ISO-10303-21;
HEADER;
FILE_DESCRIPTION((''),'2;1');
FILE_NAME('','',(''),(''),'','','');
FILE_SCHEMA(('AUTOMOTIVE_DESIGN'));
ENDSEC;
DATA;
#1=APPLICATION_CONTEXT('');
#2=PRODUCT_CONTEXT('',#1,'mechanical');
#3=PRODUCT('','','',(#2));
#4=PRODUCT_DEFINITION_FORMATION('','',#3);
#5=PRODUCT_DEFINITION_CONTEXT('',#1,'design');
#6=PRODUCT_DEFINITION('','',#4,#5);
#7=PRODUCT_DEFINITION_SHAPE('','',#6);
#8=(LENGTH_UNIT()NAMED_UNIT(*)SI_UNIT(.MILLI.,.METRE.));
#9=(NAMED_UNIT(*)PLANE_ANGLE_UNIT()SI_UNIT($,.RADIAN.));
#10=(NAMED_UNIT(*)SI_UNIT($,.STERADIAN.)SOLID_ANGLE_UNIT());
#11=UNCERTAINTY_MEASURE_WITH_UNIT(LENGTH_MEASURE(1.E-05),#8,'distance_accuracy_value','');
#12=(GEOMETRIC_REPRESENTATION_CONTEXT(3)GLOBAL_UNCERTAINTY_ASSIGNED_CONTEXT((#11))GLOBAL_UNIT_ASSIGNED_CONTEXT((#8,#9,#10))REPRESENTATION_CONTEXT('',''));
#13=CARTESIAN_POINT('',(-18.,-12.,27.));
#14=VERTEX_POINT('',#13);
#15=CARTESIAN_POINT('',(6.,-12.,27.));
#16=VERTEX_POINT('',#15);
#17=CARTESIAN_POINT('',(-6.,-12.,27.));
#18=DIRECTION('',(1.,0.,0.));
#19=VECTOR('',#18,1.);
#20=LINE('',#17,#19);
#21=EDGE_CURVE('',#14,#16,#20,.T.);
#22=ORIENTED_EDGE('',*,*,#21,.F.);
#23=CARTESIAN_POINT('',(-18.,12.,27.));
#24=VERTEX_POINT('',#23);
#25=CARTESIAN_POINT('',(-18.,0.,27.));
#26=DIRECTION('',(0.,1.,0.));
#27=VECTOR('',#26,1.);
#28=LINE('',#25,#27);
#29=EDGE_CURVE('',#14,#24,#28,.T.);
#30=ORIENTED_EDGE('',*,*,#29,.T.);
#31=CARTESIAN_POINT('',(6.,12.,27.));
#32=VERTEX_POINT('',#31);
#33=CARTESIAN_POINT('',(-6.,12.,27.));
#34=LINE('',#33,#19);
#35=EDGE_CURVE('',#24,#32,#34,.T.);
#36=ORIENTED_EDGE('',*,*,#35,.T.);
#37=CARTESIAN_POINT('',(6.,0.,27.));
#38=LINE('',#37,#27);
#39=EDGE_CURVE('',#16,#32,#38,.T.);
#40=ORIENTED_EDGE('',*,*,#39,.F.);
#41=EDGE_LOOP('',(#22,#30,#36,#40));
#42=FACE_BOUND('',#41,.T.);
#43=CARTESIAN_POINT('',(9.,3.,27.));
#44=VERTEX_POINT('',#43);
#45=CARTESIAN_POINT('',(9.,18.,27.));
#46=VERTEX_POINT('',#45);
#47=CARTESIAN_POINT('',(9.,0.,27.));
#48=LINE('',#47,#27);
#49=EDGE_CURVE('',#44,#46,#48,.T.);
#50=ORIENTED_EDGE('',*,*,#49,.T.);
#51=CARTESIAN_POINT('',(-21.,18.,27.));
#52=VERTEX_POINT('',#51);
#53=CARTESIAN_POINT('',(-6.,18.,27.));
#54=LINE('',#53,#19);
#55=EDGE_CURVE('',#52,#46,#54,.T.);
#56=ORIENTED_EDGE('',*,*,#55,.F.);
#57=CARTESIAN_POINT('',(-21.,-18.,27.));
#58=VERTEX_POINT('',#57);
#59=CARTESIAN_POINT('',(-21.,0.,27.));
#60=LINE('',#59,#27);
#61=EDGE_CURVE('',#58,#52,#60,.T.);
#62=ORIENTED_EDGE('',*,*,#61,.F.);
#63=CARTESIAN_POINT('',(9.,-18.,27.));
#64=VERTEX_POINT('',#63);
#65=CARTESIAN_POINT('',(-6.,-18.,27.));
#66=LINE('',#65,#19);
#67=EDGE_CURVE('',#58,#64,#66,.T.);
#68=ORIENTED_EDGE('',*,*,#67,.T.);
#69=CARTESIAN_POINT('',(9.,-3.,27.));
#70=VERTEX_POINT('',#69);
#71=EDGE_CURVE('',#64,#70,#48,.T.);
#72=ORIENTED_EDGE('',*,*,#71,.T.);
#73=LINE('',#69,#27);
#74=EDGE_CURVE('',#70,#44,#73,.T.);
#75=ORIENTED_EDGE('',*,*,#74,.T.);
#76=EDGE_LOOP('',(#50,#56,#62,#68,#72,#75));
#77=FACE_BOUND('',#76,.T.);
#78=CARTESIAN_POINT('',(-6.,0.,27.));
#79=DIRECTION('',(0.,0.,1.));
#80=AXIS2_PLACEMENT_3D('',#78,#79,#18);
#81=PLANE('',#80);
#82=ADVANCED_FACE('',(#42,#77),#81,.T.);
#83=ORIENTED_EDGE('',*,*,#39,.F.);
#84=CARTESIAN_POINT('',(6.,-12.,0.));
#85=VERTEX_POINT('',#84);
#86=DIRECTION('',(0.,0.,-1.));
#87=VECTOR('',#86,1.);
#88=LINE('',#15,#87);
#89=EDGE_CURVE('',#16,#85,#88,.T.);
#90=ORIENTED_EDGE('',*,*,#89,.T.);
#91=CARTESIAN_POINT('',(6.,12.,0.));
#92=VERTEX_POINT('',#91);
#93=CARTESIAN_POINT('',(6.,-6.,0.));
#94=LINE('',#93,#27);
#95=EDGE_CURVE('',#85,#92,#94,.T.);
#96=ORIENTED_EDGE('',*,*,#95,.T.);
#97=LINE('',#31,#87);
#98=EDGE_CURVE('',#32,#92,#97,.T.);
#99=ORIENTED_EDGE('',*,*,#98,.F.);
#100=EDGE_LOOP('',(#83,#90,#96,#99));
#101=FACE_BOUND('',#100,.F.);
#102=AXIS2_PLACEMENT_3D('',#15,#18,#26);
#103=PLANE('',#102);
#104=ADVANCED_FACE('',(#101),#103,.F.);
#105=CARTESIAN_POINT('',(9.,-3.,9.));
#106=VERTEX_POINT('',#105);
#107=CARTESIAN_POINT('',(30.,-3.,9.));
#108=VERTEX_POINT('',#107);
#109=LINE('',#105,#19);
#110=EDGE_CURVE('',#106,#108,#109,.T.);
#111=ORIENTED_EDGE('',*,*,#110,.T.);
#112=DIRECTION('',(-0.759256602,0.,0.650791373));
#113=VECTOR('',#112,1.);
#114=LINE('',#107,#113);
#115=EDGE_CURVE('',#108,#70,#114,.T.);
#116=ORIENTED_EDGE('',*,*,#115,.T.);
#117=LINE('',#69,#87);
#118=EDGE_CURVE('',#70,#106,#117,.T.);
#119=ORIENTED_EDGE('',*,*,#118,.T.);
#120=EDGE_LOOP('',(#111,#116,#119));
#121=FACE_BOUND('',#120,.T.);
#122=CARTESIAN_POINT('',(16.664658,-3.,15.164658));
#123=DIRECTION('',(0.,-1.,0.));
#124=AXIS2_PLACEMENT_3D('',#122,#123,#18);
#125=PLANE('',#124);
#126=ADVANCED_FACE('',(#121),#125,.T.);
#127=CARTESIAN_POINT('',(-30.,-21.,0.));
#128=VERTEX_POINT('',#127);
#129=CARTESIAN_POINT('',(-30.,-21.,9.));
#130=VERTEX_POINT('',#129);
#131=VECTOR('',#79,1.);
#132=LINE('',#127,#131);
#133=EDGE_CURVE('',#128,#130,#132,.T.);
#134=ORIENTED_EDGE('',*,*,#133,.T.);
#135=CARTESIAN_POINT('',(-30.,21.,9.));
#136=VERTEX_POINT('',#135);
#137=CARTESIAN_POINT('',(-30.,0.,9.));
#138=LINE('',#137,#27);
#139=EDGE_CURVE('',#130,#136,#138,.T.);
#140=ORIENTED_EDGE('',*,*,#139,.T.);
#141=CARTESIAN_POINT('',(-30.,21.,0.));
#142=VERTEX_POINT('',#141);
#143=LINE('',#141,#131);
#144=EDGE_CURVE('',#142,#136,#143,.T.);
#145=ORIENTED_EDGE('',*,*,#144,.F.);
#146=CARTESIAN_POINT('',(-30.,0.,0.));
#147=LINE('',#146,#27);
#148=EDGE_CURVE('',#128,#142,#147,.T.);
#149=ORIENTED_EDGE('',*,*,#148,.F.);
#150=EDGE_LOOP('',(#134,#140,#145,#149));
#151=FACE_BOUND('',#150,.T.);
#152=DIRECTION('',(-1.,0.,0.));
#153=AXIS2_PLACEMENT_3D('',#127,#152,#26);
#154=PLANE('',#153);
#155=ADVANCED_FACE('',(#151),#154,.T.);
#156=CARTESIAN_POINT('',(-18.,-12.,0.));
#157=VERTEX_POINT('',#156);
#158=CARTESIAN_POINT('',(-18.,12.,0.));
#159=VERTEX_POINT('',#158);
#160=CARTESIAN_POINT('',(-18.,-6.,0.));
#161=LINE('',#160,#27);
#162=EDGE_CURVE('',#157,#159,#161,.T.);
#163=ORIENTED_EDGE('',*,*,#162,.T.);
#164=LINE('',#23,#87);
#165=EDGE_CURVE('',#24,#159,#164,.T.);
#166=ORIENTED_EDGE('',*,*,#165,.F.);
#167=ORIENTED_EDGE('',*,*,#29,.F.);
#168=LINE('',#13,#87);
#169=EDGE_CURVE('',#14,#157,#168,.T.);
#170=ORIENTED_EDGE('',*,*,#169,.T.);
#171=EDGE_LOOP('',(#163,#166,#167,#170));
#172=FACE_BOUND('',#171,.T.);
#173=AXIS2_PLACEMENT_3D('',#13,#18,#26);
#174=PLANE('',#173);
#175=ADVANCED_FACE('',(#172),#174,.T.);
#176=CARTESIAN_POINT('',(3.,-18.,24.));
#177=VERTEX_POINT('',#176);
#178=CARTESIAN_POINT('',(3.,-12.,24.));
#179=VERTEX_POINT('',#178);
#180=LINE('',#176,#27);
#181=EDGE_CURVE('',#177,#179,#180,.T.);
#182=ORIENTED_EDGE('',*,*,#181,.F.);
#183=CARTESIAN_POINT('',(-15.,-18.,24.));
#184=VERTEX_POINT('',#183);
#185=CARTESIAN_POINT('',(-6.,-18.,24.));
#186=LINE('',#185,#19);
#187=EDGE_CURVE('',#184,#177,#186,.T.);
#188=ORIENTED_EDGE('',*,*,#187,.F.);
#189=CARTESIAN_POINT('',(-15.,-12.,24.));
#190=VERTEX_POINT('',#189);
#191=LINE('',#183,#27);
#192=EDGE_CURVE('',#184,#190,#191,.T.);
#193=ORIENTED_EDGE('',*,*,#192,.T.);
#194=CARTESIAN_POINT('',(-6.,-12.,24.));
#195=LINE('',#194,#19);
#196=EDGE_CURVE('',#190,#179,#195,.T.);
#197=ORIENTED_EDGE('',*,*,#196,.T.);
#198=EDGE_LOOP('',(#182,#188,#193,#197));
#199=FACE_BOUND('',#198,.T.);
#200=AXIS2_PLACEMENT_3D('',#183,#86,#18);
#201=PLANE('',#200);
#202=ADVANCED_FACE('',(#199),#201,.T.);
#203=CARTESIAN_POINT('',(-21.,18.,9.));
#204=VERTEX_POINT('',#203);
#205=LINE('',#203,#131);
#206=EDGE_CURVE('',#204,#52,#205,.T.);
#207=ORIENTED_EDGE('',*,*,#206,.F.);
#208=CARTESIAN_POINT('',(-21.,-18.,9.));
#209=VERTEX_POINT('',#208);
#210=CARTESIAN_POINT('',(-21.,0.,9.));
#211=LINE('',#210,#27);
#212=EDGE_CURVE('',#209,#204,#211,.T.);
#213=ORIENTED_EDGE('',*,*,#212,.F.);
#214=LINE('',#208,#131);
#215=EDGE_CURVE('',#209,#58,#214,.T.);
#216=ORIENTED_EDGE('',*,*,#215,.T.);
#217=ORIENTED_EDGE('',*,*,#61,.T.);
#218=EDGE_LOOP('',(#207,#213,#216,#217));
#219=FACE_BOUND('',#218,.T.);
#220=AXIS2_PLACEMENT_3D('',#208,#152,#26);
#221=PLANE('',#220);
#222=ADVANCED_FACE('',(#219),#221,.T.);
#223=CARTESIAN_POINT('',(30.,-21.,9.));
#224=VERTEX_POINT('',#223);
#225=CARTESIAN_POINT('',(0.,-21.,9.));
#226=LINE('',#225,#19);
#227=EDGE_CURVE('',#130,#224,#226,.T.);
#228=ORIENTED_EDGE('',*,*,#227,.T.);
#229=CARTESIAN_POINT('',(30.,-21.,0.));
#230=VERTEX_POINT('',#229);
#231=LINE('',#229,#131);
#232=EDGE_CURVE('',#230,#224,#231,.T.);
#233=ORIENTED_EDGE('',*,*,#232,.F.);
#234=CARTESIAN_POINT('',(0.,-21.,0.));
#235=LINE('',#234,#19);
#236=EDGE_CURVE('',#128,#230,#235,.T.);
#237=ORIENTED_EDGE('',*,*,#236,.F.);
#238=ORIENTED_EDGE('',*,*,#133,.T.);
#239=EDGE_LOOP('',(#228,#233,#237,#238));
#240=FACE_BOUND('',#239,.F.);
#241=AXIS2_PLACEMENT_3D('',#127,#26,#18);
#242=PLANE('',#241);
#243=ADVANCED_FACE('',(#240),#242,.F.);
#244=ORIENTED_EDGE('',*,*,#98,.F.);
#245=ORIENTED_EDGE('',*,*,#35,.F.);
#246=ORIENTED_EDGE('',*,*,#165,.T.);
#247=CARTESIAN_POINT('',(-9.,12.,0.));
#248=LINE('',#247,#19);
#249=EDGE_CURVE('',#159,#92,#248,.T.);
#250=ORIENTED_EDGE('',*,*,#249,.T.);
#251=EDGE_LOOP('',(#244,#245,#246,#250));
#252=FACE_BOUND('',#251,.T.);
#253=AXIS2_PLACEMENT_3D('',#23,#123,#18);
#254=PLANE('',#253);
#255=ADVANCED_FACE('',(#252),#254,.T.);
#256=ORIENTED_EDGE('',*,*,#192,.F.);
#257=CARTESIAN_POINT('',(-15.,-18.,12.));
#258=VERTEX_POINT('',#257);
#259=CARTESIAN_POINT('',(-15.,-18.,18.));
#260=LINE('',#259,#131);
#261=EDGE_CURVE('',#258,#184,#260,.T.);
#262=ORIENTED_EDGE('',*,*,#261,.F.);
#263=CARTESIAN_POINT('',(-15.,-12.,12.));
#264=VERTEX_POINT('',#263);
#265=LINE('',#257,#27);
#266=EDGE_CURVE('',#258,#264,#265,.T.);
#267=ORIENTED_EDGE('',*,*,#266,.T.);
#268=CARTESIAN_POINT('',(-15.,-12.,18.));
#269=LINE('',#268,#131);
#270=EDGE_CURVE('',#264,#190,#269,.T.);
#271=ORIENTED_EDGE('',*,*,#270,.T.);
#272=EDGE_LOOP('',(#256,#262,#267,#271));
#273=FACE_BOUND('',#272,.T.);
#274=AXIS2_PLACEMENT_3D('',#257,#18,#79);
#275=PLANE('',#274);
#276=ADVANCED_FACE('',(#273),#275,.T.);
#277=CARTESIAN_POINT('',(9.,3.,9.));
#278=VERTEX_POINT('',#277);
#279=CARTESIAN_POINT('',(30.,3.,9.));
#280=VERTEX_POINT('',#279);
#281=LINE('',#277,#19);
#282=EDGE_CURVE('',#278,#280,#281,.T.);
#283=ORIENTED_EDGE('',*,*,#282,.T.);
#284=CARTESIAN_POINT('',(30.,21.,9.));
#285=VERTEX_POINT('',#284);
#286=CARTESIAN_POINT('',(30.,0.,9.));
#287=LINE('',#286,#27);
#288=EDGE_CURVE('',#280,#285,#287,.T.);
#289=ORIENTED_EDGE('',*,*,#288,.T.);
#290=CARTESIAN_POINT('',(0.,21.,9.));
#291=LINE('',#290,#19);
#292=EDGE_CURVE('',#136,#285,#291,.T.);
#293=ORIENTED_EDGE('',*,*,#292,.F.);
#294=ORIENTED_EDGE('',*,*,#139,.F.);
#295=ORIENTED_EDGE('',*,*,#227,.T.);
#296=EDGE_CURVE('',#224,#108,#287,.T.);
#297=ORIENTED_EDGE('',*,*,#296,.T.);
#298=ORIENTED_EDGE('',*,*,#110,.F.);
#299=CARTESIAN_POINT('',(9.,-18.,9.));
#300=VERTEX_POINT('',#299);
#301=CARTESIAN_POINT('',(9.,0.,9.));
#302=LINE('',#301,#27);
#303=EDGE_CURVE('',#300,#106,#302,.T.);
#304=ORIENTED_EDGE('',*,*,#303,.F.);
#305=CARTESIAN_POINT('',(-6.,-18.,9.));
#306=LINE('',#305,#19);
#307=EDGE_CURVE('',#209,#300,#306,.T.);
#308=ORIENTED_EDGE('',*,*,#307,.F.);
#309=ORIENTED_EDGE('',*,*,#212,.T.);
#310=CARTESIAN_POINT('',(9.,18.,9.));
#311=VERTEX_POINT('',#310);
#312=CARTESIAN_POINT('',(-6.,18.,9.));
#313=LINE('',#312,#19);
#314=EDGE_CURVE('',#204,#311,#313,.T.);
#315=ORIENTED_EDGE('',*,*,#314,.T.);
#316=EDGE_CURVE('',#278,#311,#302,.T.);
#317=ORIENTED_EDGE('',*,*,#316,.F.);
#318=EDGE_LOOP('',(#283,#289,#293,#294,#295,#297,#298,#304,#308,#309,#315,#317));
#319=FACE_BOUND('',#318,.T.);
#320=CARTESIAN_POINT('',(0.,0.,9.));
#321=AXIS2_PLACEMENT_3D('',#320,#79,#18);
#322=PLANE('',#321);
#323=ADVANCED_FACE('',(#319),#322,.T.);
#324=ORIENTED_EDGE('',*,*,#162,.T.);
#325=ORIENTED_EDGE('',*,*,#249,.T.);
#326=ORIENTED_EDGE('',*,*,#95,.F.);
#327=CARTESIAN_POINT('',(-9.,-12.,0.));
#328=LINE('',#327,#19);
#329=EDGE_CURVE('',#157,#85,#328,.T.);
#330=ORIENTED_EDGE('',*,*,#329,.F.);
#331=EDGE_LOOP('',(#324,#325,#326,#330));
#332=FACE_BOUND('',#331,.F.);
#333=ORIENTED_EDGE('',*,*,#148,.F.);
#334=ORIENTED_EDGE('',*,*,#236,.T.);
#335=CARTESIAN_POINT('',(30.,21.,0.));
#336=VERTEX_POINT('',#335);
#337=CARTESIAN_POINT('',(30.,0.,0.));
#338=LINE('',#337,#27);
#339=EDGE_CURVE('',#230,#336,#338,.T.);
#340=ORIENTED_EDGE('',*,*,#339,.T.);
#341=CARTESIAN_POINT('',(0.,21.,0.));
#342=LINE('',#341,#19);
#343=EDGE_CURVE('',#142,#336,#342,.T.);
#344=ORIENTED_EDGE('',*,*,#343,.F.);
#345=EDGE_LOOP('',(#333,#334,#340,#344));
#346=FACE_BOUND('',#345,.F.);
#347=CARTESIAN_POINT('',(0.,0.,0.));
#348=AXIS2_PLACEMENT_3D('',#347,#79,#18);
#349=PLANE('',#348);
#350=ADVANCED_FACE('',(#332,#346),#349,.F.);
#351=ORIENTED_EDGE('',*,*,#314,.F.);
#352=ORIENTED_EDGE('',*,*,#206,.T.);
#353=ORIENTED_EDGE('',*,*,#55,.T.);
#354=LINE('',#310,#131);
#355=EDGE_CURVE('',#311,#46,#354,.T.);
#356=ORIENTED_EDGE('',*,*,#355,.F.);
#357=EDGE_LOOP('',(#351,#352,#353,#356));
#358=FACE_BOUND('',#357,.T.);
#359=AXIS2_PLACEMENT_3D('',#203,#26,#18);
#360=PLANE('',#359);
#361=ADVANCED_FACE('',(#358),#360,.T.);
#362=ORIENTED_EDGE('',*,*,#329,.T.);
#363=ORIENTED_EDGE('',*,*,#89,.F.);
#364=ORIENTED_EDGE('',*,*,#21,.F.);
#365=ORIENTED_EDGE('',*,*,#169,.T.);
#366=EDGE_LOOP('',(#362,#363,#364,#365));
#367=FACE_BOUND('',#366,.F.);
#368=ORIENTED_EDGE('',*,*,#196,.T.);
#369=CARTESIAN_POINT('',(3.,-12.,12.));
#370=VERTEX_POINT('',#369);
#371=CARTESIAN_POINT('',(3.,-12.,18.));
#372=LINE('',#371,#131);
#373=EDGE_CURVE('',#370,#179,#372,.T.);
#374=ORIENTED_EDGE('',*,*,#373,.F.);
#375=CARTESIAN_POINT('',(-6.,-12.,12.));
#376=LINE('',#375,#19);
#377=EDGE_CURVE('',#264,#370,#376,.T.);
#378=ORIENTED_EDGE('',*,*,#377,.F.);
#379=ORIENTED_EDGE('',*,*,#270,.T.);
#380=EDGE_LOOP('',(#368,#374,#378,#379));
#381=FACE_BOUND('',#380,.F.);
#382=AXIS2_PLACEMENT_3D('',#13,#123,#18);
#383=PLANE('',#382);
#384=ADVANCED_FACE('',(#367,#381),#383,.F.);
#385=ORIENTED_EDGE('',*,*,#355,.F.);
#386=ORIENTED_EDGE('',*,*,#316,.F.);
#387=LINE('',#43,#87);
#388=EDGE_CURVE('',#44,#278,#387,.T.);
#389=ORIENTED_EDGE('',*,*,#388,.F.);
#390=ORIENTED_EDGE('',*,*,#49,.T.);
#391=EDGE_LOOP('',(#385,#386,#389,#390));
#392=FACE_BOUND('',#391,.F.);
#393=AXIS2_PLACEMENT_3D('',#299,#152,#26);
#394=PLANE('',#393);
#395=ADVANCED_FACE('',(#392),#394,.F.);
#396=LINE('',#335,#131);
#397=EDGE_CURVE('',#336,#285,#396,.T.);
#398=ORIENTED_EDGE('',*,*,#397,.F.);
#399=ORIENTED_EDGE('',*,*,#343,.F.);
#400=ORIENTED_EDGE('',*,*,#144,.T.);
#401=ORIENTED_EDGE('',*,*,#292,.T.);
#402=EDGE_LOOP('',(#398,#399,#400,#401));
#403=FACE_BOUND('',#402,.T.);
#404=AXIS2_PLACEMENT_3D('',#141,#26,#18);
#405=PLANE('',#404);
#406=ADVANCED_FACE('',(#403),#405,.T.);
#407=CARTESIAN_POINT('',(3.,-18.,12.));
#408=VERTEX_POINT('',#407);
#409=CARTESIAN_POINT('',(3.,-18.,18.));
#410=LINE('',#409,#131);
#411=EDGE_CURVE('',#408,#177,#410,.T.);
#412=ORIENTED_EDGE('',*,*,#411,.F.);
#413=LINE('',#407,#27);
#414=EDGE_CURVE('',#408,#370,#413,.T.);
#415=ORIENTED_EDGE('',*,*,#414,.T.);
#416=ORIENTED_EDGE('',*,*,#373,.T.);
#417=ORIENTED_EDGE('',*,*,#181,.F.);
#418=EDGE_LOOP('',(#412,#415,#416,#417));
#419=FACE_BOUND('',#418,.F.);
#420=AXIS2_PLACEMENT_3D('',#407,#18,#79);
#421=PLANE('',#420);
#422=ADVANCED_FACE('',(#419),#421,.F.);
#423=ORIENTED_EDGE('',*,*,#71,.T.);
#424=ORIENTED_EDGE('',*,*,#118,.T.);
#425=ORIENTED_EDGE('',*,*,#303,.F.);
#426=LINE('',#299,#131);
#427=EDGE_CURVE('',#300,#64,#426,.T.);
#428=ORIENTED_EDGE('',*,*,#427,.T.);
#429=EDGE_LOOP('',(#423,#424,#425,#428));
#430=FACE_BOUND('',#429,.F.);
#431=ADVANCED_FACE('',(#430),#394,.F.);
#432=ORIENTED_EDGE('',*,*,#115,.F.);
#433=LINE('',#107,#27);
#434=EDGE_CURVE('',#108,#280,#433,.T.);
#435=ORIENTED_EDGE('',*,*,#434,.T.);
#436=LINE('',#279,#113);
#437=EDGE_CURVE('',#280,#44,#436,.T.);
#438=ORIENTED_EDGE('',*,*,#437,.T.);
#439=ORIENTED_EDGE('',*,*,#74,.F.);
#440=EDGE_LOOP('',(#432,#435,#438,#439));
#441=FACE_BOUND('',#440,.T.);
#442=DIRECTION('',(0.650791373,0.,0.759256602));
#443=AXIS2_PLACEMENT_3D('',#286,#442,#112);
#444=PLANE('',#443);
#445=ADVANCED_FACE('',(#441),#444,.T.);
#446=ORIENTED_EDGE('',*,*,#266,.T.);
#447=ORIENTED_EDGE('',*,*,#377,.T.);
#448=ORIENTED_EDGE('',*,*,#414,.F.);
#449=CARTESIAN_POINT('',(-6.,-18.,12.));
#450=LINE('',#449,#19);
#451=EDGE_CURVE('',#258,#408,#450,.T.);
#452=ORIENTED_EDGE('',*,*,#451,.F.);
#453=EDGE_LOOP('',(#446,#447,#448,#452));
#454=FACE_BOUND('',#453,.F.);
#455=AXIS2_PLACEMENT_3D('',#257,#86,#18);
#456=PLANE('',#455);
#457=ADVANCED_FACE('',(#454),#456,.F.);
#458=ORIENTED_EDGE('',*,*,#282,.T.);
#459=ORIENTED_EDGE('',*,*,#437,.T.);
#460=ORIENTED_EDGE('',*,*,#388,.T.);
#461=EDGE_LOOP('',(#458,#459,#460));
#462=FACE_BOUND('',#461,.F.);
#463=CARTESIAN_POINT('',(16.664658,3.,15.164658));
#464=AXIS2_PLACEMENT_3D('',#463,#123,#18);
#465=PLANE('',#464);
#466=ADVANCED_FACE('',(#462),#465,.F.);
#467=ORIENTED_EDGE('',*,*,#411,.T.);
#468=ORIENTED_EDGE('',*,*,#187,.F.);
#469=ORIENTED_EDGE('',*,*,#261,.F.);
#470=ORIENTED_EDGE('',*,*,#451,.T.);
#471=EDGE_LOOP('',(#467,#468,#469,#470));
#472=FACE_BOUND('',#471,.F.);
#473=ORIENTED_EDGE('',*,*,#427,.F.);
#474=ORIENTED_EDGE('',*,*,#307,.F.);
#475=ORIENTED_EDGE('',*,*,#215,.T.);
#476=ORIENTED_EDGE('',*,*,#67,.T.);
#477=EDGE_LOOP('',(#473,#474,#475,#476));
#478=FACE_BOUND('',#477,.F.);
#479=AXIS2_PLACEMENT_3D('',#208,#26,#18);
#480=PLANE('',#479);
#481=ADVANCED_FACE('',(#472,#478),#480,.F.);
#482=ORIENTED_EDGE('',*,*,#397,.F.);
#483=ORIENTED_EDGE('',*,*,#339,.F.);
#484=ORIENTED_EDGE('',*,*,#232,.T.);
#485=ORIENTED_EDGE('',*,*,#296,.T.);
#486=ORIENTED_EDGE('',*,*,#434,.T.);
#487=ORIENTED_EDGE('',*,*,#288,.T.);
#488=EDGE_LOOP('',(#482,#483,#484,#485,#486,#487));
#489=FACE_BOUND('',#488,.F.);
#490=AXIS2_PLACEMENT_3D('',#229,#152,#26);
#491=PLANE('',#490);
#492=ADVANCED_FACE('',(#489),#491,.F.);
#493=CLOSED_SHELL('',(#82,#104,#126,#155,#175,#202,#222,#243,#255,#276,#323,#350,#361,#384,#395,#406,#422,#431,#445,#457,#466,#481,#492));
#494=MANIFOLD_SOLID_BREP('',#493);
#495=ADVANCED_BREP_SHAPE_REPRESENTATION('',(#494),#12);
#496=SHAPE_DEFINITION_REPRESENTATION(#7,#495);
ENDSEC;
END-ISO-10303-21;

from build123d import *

# Parameters (mm, degrees)
PAD002_DEPTH    = 3
SKETCH_W        = 60
SKETCH_H        = 42
PAD_DEPTH       = 9
SKETCH001_W     = 30
SKETCH001_H     = 36
PAD001_DEPTH    = 18
SKETCH002_W     = 24
SKETCH002_H     = 24
POCKET_DEPTH    = 27.001
SKETCH005_W     = 18
SKETCH005_H     = 12
POCKET001_DEPTH = 6


with BuildPart() as pad002:
    # Sketch004 → Pad002 (new body, symmetric)
    with BuildSketch(Plane.XZ):
        Polygon((9, 27), (9, 9), (30, 9), align=None)
    extrude(amount=PAD002_DEPTH, both=True)


with BuildPart() as fusion:
    # Sketch → Pad (new body)
    with BuildSketch(Plane.XY):
        Rectangle(SKETCH_W, SKETCH_H)
    extrude(amount=PAD_DEPTH)

    # Sketch001 → Pad001 (new body)
    with BuildSketch(Plane.XY.offset(9)):
        with Locations((-6, 0)):
            Rectangle(SKETCH001_W, SKETCH001_H)
    extrude(amount=PAD001_DEPTH)

    # Sketch002 → Pocket (cut, through all)
    with BuildSketch(Plane.XY.offset(27)):
        with Locations((-6, 0)):
            Rectangle(SKETCH002_W, SKETCH002_H)
    extrude(amount=-POCKET_DEPTH, mode=Mode.SUBTRACT)

    # Sketch005 → Pocket001 (cut)
    with BuildSketch(Plane.XZ.offset(18)):
        with Locations((-6, 18)):
            Rectangle(SKETCH005_W, SKETCH005_H)
    extrude(amount=-POCKET001_DEPTH, mode=Mode.SUBTRACT)

    # Fusion: union Pad002
    add(pad002.part)


solid = fusion.part
